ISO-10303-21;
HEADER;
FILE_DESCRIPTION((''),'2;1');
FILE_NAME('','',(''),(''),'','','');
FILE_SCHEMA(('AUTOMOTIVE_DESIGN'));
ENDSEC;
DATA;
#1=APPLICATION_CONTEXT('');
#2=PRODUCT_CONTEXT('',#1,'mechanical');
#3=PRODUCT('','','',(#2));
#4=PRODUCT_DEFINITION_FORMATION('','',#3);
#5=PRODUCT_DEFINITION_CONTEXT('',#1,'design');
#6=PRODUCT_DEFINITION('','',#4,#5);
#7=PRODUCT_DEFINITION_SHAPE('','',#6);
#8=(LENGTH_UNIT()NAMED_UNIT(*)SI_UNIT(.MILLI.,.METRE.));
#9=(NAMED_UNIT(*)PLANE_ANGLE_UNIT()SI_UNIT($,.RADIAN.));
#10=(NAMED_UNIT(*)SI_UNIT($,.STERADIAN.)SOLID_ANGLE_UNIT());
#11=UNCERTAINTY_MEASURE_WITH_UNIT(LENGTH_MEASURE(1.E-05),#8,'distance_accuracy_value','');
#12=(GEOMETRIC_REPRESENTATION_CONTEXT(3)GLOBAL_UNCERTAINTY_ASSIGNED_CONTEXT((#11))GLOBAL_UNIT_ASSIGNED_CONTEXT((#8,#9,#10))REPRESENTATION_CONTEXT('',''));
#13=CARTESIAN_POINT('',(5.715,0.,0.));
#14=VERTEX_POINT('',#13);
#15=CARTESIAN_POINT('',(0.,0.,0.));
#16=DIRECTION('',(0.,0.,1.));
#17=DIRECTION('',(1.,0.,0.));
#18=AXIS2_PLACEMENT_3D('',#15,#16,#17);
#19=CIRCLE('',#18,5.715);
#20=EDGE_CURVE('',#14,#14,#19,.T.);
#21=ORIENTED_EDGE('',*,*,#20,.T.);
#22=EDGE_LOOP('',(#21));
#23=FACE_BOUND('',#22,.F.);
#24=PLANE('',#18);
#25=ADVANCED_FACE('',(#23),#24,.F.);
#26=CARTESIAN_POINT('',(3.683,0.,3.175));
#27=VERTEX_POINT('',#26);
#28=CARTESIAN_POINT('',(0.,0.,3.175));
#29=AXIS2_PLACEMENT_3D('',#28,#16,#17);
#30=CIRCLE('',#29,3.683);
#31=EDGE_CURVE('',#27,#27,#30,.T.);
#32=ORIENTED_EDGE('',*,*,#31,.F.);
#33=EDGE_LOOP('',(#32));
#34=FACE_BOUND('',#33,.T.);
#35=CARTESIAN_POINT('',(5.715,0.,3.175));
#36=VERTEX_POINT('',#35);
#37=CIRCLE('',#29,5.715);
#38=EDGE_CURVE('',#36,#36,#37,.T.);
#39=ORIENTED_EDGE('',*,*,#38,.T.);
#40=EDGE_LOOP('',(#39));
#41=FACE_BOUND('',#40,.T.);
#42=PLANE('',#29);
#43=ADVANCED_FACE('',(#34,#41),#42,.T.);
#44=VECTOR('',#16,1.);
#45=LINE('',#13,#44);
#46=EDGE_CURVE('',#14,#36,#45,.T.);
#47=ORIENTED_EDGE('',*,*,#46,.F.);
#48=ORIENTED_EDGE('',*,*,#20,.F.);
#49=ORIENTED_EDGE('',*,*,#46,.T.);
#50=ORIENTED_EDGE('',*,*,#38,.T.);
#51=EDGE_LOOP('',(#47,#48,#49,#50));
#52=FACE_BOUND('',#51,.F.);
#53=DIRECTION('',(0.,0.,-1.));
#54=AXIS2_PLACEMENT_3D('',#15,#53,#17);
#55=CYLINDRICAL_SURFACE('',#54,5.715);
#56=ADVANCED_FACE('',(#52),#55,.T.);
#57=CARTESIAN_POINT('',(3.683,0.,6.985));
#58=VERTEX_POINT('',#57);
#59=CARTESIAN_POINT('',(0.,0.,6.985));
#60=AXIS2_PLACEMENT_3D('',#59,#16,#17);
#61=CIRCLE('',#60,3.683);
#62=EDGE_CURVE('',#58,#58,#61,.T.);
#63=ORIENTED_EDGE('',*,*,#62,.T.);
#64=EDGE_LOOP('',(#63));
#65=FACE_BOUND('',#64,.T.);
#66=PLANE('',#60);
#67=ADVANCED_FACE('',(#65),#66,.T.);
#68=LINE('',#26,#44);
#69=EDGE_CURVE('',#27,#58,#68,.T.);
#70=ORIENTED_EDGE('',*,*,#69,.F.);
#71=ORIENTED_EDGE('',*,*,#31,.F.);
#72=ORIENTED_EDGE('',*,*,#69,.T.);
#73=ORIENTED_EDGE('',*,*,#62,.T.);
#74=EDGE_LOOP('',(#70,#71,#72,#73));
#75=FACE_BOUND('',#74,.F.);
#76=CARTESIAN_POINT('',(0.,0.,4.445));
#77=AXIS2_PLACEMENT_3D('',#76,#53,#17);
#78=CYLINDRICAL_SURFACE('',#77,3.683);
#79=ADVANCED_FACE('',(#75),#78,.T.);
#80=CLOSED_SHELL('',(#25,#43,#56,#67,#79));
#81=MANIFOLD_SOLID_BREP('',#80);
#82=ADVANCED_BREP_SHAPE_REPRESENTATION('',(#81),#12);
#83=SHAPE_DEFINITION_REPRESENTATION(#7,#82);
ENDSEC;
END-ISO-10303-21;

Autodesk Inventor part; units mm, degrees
ref_plane "YZ Plane" through (0, 0, 0) normal (1, 0, 0) x (0, 1, 0)
ref_plane "XZ Plane" through (0, 0, 0) normal (0, 1, 0) x (-1, 0, 0)
ref_plane "XY Plane" through (0, 0, 0) normal (0, 0, 1) x (1, 0, 0)
sketch "Sketch1" plane through (0, 0, 0) normal (0, 0, 1) x (1, 0, 0)
  circle A0 centre (0, 0) radius 5.715
  dimension "d0" = 11.43
extrude "Extrusion1" add sketch "Sketch1" along normal blind 3.175
sketch "Sketch2" plane through (0, 0, 3.175) normal (0, 0, 1) x (1, 0, 0)
  circle A0 centre (0, 0) radius 3.683
  dimension "d3" = 7.366
extrude "Extrusion2" add sketch "Sketch2" along normal blind 1.27
sketch "Sketch3" plane through (0, 0, 4.445) normal (0, 0, 1) x (1, 0, 0)
  circle A0 centre (0, 0) radius 3.683
  dimension "d6" = 7.366
extrude "Extrusion3" add sketch "Sketch3" along normal blind 2.54
